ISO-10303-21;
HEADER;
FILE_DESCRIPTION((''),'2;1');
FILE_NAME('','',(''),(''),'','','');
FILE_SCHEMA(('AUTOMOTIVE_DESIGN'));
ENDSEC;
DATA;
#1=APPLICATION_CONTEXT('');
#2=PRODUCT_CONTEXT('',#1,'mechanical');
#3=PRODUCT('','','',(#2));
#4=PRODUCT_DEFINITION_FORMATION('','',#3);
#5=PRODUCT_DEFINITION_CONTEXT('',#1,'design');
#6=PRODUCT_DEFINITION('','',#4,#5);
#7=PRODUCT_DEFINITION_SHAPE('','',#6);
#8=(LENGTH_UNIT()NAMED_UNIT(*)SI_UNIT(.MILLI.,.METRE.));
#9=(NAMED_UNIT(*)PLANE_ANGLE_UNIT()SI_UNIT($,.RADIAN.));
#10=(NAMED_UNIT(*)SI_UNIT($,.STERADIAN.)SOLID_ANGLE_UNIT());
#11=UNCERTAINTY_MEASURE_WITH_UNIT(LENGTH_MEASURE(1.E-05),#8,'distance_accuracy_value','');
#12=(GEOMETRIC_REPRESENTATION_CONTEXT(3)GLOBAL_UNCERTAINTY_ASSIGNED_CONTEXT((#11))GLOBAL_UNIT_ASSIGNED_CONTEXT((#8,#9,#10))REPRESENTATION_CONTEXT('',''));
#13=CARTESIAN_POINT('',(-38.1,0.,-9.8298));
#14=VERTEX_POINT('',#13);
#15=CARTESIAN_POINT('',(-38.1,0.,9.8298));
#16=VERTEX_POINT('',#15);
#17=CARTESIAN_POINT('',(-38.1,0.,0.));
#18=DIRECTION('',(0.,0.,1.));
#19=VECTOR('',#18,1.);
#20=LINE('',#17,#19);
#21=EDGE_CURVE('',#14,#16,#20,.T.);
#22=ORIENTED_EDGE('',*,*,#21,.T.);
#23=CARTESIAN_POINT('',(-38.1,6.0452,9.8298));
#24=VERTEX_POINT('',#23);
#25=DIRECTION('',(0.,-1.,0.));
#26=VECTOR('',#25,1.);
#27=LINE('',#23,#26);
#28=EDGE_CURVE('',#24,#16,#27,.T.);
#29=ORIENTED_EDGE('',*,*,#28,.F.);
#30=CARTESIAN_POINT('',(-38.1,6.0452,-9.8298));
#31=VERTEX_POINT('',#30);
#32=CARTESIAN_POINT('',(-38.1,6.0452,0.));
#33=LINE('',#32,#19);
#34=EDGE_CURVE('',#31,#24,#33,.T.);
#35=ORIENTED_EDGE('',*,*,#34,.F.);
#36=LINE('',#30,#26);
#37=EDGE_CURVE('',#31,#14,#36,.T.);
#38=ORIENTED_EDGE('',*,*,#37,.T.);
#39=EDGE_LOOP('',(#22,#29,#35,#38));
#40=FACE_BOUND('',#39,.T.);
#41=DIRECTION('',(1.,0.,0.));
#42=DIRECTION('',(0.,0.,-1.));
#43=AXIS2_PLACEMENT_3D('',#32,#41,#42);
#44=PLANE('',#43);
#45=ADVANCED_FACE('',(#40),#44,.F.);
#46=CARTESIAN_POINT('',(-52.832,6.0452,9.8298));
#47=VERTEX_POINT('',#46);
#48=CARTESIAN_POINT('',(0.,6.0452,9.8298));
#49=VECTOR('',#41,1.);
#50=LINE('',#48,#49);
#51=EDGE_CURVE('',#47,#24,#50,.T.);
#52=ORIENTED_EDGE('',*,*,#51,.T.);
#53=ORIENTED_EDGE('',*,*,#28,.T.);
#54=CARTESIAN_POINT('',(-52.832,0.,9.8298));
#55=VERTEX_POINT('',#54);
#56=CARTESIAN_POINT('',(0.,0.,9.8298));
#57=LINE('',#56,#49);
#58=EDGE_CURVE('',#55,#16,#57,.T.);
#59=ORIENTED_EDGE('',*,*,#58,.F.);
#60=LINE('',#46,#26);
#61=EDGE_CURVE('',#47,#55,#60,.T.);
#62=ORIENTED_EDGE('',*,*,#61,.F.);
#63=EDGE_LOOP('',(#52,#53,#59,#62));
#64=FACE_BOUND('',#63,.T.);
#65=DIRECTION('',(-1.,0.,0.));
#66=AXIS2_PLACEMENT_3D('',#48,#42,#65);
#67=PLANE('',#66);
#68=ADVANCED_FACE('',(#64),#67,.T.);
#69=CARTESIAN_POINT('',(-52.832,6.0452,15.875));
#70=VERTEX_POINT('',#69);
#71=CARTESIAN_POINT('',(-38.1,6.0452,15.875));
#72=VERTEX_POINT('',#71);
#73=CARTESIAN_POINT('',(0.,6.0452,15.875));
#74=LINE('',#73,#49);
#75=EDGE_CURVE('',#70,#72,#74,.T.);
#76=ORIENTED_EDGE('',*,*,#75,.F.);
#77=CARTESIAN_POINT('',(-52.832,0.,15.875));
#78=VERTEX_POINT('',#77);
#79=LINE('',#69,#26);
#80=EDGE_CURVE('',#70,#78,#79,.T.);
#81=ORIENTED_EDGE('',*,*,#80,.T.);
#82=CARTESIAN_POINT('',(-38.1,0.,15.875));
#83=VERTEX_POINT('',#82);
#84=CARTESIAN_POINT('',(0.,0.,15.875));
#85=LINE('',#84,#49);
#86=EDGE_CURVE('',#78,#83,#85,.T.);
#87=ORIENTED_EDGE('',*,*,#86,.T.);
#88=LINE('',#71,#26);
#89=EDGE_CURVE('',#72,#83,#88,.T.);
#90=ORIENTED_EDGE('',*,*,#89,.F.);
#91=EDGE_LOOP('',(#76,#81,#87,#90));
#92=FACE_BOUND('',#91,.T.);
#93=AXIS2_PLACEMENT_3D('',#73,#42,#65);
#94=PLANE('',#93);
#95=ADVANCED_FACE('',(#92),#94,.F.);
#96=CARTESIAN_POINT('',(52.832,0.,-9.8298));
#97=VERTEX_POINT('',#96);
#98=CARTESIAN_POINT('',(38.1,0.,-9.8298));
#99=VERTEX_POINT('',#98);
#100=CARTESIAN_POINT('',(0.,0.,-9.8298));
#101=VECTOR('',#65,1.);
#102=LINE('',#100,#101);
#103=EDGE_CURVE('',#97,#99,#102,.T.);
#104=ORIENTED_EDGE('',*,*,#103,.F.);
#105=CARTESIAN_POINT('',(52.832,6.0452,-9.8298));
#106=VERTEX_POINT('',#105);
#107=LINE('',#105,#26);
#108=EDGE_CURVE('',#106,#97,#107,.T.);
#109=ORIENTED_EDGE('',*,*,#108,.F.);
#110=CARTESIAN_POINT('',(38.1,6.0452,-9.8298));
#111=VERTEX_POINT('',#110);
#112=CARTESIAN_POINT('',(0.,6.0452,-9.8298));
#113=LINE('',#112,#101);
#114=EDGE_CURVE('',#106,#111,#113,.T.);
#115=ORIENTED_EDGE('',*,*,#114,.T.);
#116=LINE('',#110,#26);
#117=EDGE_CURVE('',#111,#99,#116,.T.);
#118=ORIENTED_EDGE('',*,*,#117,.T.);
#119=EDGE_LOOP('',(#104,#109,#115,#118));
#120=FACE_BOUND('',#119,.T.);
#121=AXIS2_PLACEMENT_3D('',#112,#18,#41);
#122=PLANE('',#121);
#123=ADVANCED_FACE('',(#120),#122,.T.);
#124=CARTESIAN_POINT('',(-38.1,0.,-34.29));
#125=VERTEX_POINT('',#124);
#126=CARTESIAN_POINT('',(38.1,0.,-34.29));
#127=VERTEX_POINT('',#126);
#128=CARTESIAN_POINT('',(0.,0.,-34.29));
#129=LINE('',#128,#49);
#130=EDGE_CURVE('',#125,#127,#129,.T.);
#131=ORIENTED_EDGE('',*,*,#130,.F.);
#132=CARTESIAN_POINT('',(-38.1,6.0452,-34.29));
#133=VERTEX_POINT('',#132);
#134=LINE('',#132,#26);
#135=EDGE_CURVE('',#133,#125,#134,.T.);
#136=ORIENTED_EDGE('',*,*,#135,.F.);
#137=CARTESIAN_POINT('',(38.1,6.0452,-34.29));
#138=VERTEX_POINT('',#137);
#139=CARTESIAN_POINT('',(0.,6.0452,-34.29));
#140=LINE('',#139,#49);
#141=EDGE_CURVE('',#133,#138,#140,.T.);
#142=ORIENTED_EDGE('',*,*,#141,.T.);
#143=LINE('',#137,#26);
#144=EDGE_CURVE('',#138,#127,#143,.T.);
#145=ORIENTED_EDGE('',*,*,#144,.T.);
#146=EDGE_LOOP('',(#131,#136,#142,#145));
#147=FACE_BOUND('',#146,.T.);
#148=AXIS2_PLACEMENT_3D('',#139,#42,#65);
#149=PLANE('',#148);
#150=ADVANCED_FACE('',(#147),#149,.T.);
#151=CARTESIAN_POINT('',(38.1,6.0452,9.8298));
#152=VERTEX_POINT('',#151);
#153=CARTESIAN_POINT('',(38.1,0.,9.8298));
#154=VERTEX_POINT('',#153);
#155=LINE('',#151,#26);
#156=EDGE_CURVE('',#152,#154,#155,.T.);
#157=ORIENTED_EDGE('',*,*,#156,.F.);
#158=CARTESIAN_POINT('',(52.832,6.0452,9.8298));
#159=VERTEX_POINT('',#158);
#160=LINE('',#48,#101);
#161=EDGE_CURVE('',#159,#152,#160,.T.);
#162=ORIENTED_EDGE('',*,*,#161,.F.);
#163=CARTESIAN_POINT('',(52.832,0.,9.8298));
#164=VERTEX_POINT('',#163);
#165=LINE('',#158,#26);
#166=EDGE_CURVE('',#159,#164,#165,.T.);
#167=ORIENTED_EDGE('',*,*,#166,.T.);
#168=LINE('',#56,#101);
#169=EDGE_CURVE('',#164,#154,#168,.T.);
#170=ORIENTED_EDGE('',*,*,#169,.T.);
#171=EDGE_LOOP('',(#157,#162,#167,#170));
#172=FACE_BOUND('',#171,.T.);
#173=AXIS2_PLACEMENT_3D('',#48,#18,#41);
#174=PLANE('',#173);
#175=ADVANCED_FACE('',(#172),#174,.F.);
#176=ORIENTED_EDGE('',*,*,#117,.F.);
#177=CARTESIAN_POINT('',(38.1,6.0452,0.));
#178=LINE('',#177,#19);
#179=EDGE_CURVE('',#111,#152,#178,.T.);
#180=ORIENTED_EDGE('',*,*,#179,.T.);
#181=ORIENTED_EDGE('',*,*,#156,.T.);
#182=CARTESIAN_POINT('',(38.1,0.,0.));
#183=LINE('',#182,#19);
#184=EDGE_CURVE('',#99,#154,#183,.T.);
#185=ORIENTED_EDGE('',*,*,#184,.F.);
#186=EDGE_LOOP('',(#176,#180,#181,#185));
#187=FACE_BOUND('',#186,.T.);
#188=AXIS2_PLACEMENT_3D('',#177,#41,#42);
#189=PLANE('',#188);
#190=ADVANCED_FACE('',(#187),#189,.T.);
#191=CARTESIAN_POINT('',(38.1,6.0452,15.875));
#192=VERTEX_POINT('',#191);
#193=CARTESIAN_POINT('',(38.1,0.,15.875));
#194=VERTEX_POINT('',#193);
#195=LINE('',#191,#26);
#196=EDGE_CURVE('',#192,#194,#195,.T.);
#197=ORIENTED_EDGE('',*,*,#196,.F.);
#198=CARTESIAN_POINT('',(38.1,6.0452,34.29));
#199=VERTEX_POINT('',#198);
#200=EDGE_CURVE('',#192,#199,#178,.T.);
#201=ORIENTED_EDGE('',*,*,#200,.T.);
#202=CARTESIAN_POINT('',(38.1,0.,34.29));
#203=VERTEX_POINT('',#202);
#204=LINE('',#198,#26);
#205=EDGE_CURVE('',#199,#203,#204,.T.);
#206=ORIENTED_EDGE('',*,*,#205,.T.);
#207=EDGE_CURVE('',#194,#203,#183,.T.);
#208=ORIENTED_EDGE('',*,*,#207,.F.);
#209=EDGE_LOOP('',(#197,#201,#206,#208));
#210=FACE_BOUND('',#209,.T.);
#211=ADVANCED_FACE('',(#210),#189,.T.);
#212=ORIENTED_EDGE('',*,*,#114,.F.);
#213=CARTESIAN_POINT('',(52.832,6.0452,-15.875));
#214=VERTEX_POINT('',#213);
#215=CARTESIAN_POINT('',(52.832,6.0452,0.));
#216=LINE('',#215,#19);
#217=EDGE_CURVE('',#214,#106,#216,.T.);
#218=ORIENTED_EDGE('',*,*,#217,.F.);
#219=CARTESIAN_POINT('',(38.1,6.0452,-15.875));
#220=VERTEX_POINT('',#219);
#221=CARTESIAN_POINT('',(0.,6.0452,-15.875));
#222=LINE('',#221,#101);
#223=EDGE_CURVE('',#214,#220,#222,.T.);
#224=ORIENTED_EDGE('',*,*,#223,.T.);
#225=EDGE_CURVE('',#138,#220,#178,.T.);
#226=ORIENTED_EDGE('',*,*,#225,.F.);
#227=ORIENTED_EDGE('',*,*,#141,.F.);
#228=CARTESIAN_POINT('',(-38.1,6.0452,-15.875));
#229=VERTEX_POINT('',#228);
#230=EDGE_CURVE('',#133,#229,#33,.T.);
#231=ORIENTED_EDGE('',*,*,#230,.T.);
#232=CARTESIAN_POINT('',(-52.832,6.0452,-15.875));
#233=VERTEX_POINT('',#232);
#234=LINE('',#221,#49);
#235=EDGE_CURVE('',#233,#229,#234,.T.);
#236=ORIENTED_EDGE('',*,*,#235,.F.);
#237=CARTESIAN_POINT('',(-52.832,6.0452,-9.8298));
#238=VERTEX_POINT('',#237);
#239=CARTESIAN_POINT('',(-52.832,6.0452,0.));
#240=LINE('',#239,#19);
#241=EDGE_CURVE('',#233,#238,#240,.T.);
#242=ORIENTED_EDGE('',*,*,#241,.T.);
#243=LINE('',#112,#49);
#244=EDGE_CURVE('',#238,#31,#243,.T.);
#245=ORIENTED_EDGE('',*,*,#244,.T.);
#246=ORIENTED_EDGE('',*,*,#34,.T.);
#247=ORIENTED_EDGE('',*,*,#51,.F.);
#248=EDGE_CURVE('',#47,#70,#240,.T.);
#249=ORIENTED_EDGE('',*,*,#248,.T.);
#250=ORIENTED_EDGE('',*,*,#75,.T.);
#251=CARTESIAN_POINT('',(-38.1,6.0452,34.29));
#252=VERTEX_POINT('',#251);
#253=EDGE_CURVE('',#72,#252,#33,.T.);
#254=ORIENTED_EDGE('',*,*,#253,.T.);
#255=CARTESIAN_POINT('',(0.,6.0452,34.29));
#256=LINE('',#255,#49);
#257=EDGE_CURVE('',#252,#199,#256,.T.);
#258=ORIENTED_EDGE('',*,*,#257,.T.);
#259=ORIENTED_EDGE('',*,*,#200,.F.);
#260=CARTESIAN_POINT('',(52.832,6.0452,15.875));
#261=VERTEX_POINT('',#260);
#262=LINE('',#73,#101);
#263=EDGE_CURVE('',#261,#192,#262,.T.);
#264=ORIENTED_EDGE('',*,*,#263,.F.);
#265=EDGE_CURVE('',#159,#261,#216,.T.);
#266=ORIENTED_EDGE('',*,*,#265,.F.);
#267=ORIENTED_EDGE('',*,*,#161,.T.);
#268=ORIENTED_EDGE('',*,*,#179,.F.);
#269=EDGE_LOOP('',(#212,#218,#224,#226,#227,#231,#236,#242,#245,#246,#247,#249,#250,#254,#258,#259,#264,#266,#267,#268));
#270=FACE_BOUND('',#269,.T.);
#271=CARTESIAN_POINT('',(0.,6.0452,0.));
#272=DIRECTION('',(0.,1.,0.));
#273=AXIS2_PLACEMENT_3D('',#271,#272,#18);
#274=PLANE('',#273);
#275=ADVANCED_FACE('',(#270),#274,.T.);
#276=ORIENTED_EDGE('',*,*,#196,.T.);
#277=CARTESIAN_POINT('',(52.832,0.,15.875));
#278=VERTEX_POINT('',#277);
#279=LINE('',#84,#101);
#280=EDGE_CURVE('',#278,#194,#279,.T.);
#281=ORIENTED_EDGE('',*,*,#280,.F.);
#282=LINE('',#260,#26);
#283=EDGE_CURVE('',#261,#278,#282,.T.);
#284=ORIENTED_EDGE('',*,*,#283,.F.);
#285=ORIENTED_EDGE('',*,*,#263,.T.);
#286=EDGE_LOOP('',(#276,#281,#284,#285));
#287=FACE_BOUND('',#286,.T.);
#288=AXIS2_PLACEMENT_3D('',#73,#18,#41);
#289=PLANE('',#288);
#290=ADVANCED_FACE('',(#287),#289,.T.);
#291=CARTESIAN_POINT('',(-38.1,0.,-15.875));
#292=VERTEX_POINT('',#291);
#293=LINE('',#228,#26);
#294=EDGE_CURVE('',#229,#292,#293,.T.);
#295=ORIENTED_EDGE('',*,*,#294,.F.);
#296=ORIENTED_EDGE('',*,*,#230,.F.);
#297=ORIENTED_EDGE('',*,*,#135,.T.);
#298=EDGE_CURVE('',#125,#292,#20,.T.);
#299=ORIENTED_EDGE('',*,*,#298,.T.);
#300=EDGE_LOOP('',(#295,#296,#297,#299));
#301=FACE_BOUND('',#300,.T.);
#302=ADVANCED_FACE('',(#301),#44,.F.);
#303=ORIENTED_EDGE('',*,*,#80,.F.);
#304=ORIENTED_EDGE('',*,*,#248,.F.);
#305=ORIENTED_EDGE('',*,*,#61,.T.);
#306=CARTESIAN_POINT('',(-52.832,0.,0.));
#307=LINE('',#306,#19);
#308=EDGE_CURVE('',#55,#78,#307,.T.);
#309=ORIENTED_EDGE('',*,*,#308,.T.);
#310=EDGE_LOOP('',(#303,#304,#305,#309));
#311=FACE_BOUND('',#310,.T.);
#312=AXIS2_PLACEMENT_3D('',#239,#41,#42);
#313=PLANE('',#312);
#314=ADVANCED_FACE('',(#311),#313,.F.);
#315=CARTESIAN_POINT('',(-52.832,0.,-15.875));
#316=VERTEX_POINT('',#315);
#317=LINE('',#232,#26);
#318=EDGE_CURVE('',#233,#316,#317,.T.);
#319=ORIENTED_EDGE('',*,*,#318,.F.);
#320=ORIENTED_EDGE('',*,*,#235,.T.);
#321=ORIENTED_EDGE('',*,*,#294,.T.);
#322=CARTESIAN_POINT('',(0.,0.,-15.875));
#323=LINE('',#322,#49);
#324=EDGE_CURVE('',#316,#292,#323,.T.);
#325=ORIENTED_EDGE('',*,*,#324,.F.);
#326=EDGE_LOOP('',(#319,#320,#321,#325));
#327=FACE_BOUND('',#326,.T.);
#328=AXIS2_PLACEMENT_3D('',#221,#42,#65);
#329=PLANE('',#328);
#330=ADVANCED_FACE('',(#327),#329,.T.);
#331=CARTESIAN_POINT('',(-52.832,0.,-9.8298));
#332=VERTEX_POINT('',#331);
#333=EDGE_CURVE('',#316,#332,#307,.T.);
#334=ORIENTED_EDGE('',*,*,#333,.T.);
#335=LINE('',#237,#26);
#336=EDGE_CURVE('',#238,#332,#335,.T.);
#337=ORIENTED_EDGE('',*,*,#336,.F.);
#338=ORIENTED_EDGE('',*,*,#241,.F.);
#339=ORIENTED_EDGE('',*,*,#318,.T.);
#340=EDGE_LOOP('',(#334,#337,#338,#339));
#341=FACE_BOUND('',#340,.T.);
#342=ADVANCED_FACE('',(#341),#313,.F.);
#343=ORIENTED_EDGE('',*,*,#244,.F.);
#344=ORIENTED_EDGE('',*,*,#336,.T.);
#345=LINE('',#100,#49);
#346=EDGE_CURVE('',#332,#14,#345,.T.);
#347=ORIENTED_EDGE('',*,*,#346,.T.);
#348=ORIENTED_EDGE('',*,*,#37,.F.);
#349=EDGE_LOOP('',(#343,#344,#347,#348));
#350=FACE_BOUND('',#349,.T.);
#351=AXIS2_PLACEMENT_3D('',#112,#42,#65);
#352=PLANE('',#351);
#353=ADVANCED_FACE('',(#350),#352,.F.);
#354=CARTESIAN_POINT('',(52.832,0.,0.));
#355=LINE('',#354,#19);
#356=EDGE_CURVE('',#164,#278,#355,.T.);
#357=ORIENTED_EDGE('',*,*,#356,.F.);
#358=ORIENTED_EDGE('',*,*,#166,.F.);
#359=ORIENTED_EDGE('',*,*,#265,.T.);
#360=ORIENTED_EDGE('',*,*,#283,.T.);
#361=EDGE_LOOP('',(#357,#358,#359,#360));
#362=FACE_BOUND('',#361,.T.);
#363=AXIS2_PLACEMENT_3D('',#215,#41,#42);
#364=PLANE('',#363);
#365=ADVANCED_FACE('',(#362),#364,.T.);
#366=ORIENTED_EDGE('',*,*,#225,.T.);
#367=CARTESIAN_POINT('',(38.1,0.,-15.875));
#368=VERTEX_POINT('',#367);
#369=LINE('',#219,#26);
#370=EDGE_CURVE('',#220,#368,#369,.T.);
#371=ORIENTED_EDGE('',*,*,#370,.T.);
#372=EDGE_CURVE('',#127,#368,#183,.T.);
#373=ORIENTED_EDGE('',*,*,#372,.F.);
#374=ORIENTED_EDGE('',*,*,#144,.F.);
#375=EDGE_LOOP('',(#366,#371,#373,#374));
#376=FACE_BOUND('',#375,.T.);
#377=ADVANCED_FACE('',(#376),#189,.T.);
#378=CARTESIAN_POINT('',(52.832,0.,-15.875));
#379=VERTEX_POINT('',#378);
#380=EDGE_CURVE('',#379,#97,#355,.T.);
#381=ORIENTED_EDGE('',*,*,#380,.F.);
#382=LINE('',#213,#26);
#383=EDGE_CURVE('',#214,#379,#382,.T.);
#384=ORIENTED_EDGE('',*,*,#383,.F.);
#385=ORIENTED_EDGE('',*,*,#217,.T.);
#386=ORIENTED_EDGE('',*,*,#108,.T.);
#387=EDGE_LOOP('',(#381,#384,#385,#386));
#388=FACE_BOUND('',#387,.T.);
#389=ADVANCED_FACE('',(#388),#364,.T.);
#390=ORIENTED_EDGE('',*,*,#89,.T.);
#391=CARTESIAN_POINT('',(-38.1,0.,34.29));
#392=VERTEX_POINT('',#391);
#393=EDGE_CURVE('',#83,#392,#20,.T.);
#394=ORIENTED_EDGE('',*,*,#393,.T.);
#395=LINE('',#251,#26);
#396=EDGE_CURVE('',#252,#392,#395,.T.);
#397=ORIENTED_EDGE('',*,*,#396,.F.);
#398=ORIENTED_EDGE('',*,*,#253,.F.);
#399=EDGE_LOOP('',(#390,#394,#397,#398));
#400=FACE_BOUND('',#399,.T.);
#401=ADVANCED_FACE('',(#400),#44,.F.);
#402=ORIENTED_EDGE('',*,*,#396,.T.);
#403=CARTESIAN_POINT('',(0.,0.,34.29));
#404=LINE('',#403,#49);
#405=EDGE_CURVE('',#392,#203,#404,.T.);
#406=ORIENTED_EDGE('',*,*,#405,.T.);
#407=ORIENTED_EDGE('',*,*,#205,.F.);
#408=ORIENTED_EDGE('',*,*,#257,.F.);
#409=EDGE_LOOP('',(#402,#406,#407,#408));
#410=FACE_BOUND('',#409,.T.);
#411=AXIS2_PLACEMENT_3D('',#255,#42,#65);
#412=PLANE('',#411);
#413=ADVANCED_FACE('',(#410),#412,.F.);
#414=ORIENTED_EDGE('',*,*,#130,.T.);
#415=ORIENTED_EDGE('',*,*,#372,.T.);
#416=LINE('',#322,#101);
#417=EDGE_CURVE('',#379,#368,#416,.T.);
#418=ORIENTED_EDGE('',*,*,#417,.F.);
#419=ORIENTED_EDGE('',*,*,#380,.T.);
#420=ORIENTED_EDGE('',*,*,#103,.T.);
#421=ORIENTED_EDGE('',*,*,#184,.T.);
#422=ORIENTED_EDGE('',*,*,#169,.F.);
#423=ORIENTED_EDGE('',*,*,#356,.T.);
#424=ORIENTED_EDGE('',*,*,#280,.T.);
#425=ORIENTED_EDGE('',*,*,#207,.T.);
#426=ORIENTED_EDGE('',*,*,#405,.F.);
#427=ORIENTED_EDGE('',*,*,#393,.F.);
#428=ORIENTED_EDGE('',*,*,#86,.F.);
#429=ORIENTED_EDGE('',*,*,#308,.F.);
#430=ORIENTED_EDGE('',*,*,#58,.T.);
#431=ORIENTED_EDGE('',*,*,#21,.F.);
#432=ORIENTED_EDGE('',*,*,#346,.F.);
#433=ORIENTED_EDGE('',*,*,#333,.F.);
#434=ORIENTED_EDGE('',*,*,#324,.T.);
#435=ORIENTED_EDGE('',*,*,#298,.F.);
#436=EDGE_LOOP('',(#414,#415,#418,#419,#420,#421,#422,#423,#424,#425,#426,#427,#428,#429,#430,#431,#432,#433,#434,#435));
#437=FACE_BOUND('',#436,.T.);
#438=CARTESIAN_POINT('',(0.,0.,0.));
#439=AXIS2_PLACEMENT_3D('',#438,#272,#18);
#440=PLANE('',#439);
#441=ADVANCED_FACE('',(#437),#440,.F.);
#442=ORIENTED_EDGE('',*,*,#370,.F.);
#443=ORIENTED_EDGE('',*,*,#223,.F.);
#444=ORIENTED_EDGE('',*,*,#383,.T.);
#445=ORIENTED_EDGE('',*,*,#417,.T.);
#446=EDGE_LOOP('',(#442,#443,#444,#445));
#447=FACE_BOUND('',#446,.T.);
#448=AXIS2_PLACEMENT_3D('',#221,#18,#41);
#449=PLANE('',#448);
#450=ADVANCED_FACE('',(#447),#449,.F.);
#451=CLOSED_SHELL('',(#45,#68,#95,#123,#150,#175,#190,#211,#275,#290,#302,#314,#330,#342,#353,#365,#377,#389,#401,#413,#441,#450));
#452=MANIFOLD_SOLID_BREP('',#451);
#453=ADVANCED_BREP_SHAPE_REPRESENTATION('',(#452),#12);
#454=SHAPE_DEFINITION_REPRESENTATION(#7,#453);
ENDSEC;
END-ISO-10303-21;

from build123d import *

# Parameters (mm, degrees)
SKETCH1_W           = 76.2
SKETCH1_H           = 68.58
SKETCH1_W_2         = 14.732
SKETCH1_H_2         = 6.0452
BOSS_EXTRUDE1_DEPTH = 6.0452


with BuildPart() as part:
    # Sketch1 → Boss-Extrude1 (new body)
    with BuildSketch(Plane(origin=(0, 0, 0), x_dir=(1, 0, 0), z_dir=(0, 1, 0))):
        Rectangle(SKETCH1_W, SKETCH1_H)
        with Locations((-45.466, -12.8524)):
            Rectangle(SKETCH1_W_2, SKETCH1_H_2)
        with Locations((-45.466, 12.8524)):
            Rectangle(SKETCH1_W_2, SKETCH1_H_2)
        with Locations((45.466, 12.8524)):
            Rectangle(SKETCH1_W_2, SKETCH1_H_2)
        with Locations((45.466, -12.8524)):
            Rectangle(SKETCH1_W_2, SKETCH1_H_2)
    extrude(amount=BOSS_EXTRUDE1_DEPTH)


solid = part.part
